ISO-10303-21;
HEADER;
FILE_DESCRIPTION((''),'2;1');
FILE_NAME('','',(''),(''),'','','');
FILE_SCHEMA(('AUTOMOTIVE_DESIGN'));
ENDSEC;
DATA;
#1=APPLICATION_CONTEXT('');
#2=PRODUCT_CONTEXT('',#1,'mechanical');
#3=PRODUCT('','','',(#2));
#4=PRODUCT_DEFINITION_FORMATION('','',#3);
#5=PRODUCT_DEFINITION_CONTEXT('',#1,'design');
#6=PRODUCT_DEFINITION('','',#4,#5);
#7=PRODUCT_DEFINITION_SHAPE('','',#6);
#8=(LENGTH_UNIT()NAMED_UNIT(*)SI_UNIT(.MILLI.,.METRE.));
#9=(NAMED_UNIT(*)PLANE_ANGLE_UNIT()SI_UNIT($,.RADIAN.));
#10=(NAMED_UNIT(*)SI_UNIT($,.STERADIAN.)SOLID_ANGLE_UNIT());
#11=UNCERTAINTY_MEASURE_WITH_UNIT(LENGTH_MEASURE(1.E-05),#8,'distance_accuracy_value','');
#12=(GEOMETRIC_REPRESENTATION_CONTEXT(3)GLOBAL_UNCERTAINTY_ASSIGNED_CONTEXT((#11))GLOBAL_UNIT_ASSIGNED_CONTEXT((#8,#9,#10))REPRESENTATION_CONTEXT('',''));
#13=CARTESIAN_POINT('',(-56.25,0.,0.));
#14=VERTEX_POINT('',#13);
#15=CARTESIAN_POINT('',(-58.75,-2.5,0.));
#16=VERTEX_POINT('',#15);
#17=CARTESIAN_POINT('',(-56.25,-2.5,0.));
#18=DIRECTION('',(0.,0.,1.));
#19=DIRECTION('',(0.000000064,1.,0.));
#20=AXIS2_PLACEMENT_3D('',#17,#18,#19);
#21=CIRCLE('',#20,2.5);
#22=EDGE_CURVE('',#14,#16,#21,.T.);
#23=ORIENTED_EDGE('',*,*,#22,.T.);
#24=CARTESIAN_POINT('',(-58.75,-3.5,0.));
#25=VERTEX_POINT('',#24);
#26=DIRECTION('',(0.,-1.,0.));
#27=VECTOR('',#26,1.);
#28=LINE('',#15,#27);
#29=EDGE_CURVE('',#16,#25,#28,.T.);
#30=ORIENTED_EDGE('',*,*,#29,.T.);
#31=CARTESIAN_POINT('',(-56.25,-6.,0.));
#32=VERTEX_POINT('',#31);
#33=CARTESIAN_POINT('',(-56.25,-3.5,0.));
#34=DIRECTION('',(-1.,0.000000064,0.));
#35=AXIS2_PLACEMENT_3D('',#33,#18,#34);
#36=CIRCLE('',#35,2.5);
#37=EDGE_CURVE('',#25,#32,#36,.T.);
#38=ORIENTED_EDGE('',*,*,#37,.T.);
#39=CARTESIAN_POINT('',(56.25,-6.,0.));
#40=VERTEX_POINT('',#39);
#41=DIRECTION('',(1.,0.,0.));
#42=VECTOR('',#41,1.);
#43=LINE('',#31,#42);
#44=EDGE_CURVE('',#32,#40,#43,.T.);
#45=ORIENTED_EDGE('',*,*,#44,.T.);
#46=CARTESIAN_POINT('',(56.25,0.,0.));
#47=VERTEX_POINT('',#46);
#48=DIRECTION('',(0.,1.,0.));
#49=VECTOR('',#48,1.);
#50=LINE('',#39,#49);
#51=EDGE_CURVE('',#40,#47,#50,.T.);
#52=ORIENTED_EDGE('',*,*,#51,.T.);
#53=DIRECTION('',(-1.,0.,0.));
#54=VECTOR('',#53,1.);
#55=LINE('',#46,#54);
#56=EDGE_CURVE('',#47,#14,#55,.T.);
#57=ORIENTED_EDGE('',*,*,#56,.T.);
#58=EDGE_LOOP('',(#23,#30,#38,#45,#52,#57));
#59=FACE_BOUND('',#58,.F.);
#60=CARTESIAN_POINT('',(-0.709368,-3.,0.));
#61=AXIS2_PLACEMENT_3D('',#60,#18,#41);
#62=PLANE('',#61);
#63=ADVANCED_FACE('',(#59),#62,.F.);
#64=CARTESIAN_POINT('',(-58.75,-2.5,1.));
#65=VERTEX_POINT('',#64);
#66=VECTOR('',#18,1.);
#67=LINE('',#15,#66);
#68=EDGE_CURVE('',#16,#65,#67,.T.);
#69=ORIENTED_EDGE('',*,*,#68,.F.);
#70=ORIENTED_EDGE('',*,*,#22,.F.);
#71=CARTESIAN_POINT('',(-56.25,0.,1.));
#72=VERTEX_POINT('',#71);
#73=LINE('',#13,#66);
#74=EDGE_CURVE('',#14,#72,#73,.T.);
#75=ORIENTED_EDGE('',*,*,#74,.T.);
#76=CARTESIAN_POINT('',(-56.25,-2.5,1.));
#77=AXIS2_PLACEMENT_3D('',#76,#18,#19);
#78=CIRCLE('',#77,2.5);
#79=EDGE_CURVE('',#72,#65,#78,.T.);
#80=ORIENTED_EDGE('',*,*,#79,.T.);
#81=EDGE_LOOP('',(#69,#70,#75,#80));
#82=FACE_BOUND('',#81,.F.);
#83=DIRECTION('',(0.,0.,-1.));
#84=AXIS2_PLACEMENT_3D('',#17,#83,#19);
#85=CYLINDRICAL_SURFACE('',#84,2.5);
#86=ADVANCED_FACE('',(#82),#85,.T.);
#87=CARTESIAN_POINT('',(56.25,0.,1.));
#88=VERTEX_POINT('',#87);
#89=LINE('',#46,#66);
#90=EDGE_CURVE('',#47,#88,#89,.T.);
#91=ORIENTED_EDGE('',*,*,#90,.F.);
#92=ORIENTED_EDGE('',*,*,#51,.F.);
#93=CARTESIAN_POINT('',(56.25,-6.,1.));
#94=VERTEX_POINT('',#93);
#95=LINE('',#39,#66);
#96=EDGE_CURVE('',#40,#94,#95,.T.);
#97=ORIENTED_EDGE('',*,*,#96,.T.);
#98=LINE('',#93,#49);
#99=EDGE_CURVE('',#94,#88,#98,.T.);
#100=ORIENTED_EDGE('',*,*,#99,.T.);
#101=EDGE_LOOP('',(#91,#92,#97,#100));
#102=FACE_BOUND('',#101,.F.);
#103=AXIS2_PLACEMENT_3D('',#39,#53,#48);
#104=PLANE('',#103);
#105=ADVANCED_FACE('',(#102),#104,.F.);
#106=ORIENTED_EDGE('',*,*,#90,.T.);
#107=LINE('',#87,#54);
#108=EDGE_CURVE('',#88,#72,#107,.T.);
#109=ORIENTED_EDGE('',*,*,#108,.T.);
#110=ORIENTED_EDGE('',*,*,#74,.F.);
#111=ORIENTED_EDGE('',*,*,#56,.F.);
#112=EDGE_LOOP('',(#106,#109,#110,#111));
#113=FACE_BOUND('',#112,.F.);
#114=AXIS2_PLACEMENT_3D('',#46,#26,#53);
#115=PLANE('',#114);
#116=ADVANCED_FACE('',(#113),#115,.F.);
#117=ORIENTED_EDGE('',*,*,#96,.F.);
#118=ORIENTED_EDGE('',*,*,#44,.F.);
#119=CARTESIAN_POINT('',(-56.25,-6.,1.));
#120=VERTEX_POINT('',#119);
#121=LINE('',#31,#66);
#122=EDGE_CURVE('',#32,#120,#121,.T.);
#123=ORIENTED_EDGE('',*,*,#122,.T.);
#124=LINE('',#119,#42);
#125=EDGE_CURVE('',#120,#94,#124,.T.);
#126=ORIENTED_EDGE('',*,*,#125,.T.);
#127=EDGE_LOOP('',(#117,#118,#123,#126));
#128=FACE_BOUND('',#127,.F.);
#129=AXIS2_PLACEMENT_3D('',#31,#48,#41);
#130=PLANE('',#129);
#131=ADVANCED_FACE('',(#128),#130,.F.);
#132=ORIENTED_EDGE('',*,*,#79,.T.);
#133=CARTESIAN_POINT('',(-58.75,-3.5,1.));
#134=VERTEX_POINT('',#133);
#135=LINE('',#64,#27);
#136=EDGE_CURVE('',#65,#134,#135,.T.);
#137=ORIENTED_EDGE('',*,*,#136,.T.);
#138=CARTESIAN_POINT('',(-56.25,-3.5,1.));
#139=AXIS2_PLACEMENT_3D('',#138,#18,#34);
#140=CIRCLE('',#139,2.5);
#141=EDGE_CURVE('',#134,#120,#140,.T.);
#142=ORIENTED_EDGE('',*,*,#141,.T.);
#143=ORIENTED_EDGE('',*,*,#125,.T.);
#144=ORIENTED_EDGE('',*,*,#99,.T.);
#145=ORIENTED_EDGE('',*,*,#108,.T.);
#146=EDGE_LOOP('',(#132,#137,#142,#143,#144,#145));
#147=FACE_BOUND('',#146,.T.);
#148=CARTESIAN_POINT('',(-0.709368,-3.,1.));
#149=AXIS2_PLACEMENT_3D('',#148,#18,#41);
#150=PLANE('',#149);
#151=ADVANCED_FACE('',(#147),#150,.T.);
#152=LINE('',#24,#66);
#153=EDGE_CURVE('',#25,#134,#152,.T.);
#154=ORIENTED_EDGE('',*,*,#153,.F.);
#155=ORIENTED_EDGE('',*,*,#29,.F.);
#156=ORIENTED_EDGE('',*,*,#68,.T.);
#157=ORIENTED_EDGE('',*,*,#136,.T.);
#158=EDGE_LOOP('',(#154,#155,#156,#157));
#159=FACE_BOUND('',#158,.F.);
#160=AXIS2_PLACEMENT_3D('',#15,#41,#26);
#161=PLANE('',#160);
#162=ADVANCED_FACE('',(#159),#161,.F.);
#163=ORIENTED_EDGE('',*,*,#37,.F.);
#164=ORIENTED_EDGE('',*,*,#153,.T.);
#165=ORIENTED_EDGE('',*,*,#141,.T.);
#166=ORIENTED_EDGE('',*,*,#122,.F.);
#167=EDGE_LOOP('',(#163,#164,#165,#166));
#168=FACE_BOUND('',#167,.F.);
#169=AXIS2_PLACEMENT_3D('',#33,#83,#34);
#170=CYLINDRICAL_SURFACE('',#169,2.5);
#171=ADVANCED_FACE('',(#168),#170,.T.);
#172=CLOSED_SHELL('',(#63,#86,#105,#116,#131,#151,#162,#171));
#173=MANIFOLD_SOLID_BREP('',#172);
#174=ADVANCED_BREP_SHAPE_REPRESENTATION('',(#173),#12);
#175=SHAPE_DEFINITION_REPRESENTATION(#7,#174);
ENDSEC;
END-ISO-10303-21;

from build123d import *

# Parameters (mm, degrees)
F1_DEPTH = 1


with BuildPart() as f1:
    # F0 (on Top) → F1 (new body)
    with BuildSketch(Plane.XY):
        with BuildLine():
            Line((56.25, 0), (-56.25, 0))
            ThreePointArc((-56.25, 0), (-58.017767, -0.732233), (-58.75, -2.5))
            Line((-58.75, -2.5), (-58.75, -3.5))
            ThreePointArc((-58.75, -3.5), (-58.017767, -5.267767), (-56.25, -6))
            Line((-56.25, -6), (56.25, -6))
            Line((56.25, -6), (56.25, 0))
        make_face()
    extrude(amount=F1_DEPTH)


solid = f1.part
